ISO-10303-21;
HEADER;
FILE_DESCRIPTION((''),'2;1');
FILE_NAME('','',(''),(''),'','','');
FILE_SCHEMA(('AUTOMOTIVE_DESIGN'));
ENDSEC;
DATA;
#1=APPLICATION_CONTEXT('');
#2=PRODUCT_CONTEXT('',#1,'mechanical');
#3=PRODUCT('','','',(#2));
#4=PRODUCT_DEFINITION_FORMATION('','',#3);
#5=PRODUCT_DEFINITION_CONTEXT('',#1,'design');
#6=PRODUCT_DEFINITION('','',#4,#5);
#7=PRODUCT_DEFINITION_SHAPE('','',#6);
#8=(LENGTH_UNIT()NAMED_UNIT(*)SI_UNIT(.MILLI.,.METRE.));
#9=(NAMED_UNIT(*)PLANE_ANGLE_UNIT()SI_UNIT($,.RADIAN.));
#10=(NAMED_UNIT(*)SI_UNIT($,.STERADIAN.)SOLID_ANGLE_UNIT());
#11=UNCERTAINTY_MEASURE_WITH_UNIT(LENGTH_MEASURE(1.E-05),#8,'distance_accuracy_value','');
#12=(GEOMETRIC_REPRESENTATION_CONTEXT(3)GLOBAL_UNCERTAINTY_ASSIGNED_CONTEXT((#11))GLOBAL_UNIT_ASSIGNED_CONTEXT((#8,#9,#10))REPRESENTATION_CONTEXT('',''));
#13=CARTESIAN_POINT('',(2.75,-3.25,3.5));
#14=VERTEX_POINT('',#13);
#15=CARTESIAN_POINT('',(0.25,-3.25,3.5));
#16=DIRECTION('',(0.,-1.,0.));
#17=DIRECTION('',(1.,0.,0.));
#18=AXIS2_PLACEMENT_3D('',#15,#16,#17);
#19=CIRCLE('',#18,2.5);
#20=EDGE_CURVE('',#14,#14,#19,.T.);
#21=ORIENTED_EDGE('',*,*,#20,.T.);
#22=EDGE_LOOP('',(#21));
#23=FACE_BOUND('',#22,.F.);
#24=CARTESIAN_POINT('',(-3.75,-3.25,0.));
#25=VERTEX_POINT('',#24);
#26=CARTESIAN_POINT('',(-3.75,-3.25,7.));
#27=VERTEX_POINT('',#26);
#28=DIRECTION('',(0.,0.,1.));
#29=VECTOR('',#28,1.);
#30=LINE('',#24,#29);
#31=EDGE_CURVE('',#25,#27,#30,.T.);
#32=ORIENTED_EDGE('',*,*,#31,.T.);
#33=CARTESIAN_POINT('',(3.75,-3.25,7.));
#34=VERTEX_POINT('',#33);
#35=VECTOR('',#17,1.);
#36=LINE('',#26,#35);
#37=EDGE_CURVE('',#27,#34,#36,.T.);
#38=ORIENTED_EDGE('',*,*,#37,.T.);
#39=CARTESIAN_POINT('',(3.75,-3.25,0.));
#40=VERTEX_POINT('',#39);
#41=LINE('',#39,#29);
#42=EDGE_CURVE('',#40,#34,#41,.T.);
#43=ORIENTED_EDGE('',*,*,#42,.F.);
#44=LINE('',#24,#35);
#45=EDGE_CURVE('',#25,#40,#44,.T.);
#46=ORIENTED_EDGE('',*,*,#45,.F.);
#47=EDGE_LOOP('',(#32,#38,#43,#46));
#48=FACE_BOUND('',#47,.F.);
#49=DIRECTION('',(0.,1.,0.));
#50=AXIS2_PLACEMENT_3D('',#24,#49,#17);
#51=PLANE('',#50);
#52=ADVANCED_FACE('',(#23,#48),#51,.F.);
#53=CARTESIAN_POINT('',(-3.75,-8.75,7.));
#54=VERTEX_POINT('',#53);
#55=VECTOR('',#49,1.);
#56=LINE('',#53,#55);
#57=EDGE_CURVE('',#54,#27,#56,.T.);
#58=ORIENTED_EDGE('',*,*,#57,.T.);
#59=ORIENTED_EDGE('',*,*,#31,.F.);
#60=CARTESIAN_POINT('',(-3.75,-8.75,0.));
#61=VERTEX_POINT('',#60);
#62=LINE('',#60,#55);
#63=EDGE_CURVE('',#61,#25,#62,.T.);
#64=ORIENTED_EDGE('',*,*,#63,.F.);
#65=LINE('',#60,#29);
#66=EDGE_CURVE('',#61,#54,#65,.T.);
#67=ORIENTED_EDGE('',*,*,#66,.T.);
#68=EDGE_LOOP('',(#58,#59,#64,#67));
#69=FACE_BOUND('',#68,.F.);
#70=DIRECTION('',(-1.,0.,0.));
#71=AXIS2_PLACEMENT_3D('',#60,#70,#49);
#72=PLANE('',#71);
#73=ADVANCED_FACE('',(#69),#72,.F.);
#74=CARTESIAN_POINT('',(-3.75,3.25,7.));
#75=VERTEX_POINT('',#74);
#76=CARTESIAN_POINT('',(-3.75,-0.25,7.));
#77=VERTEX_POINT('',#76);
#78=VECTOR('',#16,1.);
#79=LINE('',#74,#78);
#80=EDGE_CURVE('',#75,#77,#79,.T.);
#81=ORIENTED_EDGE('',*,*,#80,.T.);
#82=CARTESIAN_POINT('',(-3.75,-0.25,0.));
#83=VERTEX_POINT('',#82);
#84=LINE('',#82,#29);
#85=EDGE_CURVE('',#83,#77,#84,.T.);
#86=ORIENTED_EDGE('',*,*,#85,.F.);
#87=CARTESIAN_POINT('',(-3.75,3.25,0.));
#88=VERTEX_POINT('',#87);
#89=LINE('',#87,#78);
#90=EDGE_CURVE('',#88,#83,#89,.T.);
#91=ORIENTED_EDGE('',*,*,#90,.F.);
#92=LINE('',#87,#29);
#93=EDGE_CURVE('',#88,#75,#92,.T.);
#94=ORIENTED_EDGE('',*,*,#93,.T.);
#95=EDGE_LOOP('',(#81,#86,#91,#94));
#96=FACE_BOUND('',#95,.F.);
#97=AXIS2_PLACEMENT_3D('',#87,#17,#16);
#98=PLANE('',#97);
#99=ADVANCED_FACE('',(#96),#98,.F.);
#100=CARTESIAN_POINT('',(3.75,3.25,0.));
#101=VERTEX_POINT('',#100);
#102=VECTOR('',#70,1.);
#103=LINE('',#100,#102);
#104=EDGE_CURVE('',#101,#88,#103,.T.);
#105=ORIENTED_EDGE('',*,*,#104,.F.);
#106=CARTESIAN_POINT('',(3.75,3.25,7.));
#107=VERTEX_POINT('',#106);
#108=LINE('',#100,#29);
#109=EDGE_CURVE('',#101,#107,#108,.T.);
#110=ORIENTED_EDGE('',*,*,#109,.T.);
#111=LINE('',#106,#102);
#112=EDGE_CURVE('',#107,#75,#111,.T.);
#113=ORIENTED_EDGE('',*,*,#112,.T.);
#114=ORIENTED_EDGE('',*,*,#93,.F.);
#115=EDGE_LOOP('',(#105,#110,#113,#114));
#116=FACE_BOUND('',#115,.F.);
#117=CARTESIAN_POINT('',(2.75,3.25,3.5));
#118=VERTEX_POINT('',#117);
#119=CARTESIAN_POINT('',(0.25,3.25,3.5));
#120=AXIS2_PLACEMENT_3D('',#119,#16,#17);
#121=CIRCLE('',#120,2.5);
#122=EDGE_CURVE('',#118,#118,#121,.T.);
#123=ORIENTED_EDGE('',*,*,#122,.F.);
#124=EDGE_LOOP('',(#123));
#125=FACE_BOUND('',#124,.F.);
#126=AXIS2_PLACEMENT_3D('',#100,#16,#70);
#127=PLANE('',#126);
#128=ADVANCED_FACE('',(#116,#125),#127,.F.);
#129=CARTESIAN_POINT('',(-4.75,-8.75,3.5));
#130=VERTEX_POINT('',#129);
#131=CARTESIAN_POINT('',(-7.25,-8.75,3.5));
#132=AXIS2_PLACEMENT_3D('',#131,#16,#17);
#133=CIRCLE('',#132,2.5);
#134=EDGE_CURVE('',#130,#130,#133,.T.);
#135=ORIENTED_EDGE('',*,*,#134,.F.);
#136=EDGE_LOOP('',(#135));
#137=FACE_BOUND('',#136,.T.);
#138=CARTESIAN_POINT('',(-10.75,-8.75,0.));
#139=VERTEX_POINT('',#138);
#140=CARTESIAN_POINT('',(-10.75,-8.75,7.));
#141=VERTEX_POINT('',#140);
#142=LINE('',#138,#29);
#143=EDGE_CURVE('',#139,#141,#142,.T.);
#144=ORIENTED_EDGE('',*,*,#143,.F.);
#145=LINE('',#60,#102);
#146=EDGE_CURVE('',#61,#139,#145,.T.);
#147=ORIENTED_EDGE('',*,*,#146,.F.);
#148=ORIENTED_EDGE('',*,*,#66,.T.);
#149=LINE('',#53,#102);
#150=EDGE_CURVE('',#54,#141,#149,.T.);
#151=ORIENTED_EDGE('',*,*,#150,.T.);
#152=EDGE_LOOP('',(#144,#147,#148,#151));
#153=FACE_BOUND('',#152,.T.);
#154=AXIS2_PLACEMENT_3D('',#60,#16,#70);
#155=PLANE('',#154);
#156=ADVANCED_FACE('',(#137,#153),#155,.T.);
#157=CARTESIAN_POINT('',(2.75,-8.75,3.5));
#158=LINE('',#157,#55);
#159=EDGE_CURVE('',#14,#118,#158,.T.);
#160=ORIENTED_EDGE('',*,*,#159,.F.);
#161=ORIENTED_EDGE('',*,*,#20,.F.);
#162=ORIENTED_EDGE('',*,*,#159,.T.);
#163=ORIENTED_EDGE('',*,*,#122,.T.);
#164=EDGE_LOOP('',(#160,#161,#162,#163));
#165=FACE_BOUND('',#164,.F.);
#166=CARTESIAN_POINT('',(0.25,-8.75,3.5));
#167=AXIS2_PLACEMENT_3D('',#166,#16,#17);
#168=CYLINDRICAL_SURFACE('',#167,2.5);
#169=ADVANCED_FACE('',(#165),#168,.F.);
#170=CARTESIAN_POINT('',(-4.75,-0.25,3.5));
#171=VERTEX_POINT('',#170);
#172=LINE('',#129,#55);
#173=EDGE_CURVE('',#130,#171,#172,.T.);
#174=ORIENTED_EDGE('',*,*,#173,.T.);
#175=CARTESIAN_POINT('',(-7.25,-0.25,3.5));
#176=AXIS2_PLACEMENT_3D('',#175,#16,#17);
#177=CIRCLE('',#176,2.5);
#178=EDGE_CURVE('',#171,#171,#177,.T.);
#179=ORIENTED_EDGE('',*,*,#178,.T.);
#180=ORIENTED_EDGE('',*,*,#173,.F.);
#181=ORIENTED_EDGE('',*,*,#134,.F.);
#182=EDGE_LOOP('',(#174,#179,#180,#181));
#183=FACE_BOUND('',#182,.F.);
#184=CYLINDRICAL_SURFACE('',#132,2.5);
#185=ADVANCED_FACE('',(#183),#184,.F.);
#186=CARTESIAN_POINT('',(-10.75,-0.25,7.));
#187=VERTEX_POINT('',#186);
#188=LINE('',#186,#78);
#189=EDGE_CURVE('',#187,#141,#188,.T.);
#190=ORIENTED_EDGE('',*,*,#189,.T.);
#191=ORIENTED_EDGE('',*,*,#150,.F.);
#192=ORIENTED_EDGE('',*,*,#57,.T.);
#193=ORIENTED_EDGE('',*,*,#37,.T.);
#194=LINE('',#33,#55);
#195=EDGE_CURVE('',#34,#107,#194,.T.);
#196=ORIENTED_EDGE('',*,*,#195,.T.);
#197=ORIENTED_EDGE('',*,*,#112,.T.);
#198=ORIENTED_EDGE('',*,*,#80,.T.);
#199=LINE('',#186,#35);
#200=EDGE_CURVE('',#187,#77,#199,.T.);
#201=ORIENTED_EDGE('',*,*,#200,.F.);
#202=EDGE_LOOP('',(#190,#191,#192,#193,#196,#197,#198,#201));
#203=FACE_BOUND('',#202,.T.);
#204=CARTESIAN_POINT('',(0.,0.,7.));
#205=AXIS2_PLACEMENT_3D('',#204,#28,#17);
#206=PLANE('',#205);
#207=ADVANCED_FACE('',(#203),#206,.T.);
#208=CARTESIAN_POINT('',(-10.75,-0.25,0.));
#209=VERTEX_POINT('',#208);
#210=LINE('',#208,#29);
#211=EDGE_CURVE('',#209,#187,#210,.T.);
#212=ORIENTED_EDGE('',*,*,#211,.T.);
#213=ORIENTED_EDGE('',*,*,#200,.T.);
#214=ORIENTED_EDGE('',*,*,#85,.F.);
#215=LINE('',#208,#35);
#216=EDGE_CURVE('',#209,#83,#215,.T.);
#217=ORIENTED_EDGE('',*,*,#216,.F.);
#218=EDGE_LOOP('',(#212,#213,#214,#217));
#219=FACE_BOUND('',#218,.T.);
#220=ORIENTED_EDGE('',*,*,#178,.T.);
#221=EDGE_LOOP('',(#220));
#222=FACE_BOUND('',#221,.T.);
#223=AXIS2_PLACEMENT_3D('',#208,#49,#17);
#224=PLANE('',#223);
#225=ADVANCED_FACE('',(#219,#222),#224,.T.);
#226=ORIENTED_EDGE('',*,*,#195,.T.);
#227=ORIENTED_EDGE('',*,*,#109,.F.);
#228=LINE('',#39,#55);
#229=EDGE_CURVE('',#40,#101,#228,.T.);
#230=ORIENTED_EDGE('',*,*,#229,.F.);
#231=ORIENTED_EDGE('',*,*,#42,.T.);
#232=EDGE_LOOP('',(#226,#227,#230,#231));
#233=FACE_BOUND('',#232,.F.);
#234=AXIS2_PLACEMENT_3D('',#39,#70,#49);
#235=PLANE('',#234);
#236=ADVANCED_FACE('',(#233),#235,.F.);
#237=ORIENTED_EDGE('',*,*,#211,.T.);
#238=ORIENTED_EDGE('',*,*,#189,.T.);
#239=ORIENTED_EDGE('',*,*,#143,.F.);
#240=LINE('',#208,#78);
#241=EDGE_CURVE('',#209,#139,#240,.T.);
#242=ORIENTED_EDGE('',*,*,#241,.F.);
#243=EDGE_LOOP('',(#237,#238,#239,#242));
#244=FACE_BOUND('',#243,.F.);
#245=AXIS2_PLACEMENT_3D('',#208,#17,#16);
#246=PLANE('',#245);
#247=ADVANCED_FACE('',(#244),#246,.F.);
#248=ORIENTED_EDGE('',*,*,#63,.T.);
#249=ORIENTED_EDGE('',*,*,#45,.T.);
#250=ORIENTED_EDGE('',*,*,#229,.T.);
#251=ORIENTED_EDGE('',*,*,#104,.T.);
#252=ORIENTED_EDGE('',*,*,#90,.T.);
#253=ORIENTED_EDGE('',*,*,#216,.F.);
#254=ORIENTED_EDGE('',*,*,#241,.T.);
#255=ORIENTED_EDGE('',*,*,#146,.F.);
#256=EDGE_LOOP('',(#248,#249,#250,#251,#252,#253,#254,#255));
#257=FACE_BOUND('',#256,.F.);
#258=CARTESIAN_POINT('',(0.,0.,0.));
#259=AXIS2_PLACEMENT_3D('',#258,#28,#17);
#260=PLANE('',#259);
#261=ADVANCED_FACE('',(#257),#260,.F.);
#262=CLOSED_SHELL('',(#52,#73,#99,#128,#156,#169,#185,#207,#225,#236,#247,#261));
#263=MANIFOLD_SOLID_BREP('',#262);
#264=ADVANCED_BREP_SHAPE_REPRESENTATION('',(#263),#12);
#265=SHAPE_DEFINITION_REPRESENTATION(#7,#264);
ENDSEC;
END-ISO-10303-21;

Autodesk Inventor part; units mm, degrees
ref_plane "YZ Plane" through (0, 0, 0) normal (1, 0, 0) x (0, 1, 0)
ref_plane "XZ Plane" through (0, 0, 0) normal (0, 1, 0) x (-1, 0, 0)
ref_plane "XY Plane" through (0, 0, 0) normal (0, 0, 1) x (1, 0, 0)
sketch "スケッチ1" plane through (0, 0, 0) normal (0, 0, 1) x (1, 0, 0)
  line L0 (-3.75, 3.25) -> (3.75, 3.25) construction
  line L1 (3.75, 3.25) -> (3.75, -3.25) construction
  line L2 (3.75, -3.25) -> (-3.75, -3.25) construction
  line L3 (-3.75, -3.25) -> (-3.75, 3.25) construction
  line L4 (0, 0) -> (0, 2.4906) construction
  line L5 (0, 0) -> (2.3218, 0) construction
  line L6 (0.25, 3.25) -> (0.25, -3.25) construction
  line L7 (-2.25, 3.25) -> (-2.25, -3.25) construction
  line L8 (2.75, 3.25) -> (2.75, -3.25) construction
  line L9 (-3.75, 3.25) -> (3.75, -3.25) construction
  line L10 (-3.75, -3.25) -> (3.75, 3.25) construction
  line L11 (-10.75, -0.25) -> (-3.75, -0.25) construction
  line L12 (-3.75, -0.25) -> (-3.75, -8.75) construction
  line L13 (-3.75, -8.75) -> (-10.75, -8.75) construction
  line L14 (-10.75, -8.75) -> (-10.75, -0.25) construction
  line L15 (-10.75, -0.25) -> (-3.75, -8.75) construction
  line L16 (-3.75, -0.25) -> (-10.75, -8.75) construction
  line L17 (-9.75, -0.25) -> (-9.75, -8.75) construction
  line L18 (-4.75, -0.25) -> (-4.75, -8.75) construction
  line L19 (-9.75, -0.25) -> (-4.75, -8.75) construction
  line L20 (-9.75, -8.75) -> (-4.75, -0.25) construction
  line L21 (-7.25, -4.5) -> (-7.25, -8.75) construction
  line L22 (-2.25, 3.25) -> (2.75, -3.25) construction
  line L23 (-2.25, -3.25) -> (2.75, 3.25) construction
  point P0 (-7.25, -4.5)
  dimension "d0" = 5
  dimension "d1" = 6.5
  dimension "d2" = 1
  dimension "d3" = 1.5
  dimension "d31" = 5
  dimension "d32" = 1
  dimension "d33" = 1
  dimension "d34" = 8.5
  dimension "d35" = 3.5
sketch "スケッチ6" plane through (0, 0, 0) normal (0, 0, 1) x (1, 0, 0)
  line L0 (-3.75, 3.25) -> (3.75, 3.25) construction
  line L1 (3.75, 3.25) -> (3.75, -3.25) construction
  line L2 (3.75, -3.25) -> (-3.75, -3.25) construction
  line L3 (-3.75, -3.25) -> (-3.75, 3.25) construction
  line L4 (-2.25, 3.25) -> (-2.25, -3.25) construction
  line L5 (0, 0) -> (0, 2.4906) construction
  line L6 (0, 0) -> (2.3218, 0) construction
  line L7 (0.25, 3.25) -> (0.25, -3.25) construction
  line L8 (-3.75, 3.25) -> (3.75, -3.25) construction
  line L9 (-3.75, -3.25) -> (3.75, 3.25) construction
  line L10 (2.75, 3.25) -> (2.75, -3.25) construction
  line L11 (-3.75, -0.25) -> (-3.75, -8.75) construction
  line L12 (-4.75, -0.25) -> (-4.75, -8.75) construction
  line L13 (-10.75, -0.25) -> (-3.75, -0.25) construction
  line L14 (-9.75, -0.25) -> (-9.75, -8.75) construction
  line L15 (-10.75, -0.25) -> (-3.75, -8.75) construction
  line L16 (-10.75, -8.75) -> (-10.75, -0.25) construction
  line L17 (-3.75, -0.25) -> (-10.75, -8.75) construction
  line L18 (-3.75, -8.75) -> (-10.75, -8.75) construction
  line L19 (-10.75, -0.25) -> (-10.75, -8.75)
  line L20 (-3.75, -8.75) -> (-10.75, -8.75)
  line L21 (-3.75, -8.75) -> (-3.75, -3.25)
  line L22 (-3.75, -3.25) -> (3.75, -3.25)
  line L23 (3.75, -3.25) -> (3.75, 3.25)
  line L24 (3.75, 3.25) -> (-3.75, 3.25)
  line L25 (-3.75, 3.25) -> (-3.75, -0.25)
  line L26 (-10.75, -0.25) -> (-3.75, -0.25)
  line L27 (-2.25, 3.25) -> (2.75, -3.25) construction
  line L28 (-2.25, -3.25) -> (2.75, 3.25) construction
  line L29 (-7.25, -4.5) -> (-7.25, -8.75) construction
  line L30 (-9.75, -0.25) -> (-4.75, -8.75) construction
  line L31 (-9.75, -8.75) -> (-4.75, -0.25) construction
  point P0 (-7.25, -4.5)
extrude "押し出し5" add sketch "スケッチ6" along normal blind 7
ref_plane "作業平面4" through (-10.75, -8.75, 0) normal (0, -1, 0) x (1, 0, 0)
sketch "スケッチ7" plane through (-10.75, -8.75, 0) normal (0, -1, 0) x (1, 0, 0)
  line L0 (7, 7) -> (14.5, 7) projected
  line L1 (14.5, 7) -> (7, 7) projected
  line L2 (7, 0) -> (7, 7) projected
  line L3 (7, 0) -> (14.5, 0) projected
  line L4 (14.5, 0) -> (14.5, 7) projected
  line L5 (7, 0) -> (7, 7) projected
  line L6 (7, 0) -> (7, 7) projected
  line L7 (14.5, 0) -> (7, 0) projected
  line L8 (14.5, 0) -> (14.5, 7) projected
  line L9 (0, 0) -> (0, 7) projected
  line L10 (0, 0) -> (7, 0) projected
  line L11 (7, 7) -> (0, 7) projected
  line L12 (0, 0) -> (0, 7) projected
  line L13 (7, 0) -> (0, 0) projected
  line L14 (0, 0) -> (7, 0) construction
  line L15 (1, 0) -> (6, 0) construction
  line L16 (1, 0) -> (6, 0) construction
  line L17 (0, 0) -> (7, 0) construction
  line L18 (7, 0) -> (0, 0) construction
  line L19 (7, 0) -> (0, 0) construction
  line L20 (7, 0) -> (14.5, 0) construction
  line L21 (14.5, 0) -> (7, 0) construction
  line L22 (10.75, 0) -> (13.0718, 0) construction
  line L23 (7, 0) -> (14.5, 0) construction
  line L24 (7, 0) -> (14.5, 0) construction
  line L25 (8.5, 0) -> (13.5, 0) construction
  line L26 (8.5, 0) -> (13.5, 0) construction
  line L27 (3.5, 0) -> (3.5, 7) construction
  line L28 (1, 0) -> (1, 7) construction
  line L29 (6, 0) -> (6, 7) construction
  line L30 (0, 7) -> (7, 7) projected
  line L31 (1, 7) -> (6, 0) construction
  line L32 (1, 0) -> (6, 7) construction
  circle A0 centre (3.5, 3.5) radius 2.5
  line L33 (8.5, 0) -> (8.5, 7) construction
  line L34 (11, 0) -> (11, 7) construction
  line L35 (13.5, 0) -> (13.5, 7) construction
  line L36 (8.5, 7) -> (13.5, 0) construction
  line L37 (8.5, 0) -> (13.5, 7) construction
  circle A1 centre (11, 3.5) radius 2.5
  point P0 (3.5, 0)
  point P1 (3.5, 0)
  point P2 (10.75, 0)
  point P3 (11, 0)
  dimension "d39" = 5
  dimension "d40" = 5
extrude "押し出し6" cut sketch "スケッチ7" against normal blind 20 contours A0 | A1
properties part number "sensorholder"
